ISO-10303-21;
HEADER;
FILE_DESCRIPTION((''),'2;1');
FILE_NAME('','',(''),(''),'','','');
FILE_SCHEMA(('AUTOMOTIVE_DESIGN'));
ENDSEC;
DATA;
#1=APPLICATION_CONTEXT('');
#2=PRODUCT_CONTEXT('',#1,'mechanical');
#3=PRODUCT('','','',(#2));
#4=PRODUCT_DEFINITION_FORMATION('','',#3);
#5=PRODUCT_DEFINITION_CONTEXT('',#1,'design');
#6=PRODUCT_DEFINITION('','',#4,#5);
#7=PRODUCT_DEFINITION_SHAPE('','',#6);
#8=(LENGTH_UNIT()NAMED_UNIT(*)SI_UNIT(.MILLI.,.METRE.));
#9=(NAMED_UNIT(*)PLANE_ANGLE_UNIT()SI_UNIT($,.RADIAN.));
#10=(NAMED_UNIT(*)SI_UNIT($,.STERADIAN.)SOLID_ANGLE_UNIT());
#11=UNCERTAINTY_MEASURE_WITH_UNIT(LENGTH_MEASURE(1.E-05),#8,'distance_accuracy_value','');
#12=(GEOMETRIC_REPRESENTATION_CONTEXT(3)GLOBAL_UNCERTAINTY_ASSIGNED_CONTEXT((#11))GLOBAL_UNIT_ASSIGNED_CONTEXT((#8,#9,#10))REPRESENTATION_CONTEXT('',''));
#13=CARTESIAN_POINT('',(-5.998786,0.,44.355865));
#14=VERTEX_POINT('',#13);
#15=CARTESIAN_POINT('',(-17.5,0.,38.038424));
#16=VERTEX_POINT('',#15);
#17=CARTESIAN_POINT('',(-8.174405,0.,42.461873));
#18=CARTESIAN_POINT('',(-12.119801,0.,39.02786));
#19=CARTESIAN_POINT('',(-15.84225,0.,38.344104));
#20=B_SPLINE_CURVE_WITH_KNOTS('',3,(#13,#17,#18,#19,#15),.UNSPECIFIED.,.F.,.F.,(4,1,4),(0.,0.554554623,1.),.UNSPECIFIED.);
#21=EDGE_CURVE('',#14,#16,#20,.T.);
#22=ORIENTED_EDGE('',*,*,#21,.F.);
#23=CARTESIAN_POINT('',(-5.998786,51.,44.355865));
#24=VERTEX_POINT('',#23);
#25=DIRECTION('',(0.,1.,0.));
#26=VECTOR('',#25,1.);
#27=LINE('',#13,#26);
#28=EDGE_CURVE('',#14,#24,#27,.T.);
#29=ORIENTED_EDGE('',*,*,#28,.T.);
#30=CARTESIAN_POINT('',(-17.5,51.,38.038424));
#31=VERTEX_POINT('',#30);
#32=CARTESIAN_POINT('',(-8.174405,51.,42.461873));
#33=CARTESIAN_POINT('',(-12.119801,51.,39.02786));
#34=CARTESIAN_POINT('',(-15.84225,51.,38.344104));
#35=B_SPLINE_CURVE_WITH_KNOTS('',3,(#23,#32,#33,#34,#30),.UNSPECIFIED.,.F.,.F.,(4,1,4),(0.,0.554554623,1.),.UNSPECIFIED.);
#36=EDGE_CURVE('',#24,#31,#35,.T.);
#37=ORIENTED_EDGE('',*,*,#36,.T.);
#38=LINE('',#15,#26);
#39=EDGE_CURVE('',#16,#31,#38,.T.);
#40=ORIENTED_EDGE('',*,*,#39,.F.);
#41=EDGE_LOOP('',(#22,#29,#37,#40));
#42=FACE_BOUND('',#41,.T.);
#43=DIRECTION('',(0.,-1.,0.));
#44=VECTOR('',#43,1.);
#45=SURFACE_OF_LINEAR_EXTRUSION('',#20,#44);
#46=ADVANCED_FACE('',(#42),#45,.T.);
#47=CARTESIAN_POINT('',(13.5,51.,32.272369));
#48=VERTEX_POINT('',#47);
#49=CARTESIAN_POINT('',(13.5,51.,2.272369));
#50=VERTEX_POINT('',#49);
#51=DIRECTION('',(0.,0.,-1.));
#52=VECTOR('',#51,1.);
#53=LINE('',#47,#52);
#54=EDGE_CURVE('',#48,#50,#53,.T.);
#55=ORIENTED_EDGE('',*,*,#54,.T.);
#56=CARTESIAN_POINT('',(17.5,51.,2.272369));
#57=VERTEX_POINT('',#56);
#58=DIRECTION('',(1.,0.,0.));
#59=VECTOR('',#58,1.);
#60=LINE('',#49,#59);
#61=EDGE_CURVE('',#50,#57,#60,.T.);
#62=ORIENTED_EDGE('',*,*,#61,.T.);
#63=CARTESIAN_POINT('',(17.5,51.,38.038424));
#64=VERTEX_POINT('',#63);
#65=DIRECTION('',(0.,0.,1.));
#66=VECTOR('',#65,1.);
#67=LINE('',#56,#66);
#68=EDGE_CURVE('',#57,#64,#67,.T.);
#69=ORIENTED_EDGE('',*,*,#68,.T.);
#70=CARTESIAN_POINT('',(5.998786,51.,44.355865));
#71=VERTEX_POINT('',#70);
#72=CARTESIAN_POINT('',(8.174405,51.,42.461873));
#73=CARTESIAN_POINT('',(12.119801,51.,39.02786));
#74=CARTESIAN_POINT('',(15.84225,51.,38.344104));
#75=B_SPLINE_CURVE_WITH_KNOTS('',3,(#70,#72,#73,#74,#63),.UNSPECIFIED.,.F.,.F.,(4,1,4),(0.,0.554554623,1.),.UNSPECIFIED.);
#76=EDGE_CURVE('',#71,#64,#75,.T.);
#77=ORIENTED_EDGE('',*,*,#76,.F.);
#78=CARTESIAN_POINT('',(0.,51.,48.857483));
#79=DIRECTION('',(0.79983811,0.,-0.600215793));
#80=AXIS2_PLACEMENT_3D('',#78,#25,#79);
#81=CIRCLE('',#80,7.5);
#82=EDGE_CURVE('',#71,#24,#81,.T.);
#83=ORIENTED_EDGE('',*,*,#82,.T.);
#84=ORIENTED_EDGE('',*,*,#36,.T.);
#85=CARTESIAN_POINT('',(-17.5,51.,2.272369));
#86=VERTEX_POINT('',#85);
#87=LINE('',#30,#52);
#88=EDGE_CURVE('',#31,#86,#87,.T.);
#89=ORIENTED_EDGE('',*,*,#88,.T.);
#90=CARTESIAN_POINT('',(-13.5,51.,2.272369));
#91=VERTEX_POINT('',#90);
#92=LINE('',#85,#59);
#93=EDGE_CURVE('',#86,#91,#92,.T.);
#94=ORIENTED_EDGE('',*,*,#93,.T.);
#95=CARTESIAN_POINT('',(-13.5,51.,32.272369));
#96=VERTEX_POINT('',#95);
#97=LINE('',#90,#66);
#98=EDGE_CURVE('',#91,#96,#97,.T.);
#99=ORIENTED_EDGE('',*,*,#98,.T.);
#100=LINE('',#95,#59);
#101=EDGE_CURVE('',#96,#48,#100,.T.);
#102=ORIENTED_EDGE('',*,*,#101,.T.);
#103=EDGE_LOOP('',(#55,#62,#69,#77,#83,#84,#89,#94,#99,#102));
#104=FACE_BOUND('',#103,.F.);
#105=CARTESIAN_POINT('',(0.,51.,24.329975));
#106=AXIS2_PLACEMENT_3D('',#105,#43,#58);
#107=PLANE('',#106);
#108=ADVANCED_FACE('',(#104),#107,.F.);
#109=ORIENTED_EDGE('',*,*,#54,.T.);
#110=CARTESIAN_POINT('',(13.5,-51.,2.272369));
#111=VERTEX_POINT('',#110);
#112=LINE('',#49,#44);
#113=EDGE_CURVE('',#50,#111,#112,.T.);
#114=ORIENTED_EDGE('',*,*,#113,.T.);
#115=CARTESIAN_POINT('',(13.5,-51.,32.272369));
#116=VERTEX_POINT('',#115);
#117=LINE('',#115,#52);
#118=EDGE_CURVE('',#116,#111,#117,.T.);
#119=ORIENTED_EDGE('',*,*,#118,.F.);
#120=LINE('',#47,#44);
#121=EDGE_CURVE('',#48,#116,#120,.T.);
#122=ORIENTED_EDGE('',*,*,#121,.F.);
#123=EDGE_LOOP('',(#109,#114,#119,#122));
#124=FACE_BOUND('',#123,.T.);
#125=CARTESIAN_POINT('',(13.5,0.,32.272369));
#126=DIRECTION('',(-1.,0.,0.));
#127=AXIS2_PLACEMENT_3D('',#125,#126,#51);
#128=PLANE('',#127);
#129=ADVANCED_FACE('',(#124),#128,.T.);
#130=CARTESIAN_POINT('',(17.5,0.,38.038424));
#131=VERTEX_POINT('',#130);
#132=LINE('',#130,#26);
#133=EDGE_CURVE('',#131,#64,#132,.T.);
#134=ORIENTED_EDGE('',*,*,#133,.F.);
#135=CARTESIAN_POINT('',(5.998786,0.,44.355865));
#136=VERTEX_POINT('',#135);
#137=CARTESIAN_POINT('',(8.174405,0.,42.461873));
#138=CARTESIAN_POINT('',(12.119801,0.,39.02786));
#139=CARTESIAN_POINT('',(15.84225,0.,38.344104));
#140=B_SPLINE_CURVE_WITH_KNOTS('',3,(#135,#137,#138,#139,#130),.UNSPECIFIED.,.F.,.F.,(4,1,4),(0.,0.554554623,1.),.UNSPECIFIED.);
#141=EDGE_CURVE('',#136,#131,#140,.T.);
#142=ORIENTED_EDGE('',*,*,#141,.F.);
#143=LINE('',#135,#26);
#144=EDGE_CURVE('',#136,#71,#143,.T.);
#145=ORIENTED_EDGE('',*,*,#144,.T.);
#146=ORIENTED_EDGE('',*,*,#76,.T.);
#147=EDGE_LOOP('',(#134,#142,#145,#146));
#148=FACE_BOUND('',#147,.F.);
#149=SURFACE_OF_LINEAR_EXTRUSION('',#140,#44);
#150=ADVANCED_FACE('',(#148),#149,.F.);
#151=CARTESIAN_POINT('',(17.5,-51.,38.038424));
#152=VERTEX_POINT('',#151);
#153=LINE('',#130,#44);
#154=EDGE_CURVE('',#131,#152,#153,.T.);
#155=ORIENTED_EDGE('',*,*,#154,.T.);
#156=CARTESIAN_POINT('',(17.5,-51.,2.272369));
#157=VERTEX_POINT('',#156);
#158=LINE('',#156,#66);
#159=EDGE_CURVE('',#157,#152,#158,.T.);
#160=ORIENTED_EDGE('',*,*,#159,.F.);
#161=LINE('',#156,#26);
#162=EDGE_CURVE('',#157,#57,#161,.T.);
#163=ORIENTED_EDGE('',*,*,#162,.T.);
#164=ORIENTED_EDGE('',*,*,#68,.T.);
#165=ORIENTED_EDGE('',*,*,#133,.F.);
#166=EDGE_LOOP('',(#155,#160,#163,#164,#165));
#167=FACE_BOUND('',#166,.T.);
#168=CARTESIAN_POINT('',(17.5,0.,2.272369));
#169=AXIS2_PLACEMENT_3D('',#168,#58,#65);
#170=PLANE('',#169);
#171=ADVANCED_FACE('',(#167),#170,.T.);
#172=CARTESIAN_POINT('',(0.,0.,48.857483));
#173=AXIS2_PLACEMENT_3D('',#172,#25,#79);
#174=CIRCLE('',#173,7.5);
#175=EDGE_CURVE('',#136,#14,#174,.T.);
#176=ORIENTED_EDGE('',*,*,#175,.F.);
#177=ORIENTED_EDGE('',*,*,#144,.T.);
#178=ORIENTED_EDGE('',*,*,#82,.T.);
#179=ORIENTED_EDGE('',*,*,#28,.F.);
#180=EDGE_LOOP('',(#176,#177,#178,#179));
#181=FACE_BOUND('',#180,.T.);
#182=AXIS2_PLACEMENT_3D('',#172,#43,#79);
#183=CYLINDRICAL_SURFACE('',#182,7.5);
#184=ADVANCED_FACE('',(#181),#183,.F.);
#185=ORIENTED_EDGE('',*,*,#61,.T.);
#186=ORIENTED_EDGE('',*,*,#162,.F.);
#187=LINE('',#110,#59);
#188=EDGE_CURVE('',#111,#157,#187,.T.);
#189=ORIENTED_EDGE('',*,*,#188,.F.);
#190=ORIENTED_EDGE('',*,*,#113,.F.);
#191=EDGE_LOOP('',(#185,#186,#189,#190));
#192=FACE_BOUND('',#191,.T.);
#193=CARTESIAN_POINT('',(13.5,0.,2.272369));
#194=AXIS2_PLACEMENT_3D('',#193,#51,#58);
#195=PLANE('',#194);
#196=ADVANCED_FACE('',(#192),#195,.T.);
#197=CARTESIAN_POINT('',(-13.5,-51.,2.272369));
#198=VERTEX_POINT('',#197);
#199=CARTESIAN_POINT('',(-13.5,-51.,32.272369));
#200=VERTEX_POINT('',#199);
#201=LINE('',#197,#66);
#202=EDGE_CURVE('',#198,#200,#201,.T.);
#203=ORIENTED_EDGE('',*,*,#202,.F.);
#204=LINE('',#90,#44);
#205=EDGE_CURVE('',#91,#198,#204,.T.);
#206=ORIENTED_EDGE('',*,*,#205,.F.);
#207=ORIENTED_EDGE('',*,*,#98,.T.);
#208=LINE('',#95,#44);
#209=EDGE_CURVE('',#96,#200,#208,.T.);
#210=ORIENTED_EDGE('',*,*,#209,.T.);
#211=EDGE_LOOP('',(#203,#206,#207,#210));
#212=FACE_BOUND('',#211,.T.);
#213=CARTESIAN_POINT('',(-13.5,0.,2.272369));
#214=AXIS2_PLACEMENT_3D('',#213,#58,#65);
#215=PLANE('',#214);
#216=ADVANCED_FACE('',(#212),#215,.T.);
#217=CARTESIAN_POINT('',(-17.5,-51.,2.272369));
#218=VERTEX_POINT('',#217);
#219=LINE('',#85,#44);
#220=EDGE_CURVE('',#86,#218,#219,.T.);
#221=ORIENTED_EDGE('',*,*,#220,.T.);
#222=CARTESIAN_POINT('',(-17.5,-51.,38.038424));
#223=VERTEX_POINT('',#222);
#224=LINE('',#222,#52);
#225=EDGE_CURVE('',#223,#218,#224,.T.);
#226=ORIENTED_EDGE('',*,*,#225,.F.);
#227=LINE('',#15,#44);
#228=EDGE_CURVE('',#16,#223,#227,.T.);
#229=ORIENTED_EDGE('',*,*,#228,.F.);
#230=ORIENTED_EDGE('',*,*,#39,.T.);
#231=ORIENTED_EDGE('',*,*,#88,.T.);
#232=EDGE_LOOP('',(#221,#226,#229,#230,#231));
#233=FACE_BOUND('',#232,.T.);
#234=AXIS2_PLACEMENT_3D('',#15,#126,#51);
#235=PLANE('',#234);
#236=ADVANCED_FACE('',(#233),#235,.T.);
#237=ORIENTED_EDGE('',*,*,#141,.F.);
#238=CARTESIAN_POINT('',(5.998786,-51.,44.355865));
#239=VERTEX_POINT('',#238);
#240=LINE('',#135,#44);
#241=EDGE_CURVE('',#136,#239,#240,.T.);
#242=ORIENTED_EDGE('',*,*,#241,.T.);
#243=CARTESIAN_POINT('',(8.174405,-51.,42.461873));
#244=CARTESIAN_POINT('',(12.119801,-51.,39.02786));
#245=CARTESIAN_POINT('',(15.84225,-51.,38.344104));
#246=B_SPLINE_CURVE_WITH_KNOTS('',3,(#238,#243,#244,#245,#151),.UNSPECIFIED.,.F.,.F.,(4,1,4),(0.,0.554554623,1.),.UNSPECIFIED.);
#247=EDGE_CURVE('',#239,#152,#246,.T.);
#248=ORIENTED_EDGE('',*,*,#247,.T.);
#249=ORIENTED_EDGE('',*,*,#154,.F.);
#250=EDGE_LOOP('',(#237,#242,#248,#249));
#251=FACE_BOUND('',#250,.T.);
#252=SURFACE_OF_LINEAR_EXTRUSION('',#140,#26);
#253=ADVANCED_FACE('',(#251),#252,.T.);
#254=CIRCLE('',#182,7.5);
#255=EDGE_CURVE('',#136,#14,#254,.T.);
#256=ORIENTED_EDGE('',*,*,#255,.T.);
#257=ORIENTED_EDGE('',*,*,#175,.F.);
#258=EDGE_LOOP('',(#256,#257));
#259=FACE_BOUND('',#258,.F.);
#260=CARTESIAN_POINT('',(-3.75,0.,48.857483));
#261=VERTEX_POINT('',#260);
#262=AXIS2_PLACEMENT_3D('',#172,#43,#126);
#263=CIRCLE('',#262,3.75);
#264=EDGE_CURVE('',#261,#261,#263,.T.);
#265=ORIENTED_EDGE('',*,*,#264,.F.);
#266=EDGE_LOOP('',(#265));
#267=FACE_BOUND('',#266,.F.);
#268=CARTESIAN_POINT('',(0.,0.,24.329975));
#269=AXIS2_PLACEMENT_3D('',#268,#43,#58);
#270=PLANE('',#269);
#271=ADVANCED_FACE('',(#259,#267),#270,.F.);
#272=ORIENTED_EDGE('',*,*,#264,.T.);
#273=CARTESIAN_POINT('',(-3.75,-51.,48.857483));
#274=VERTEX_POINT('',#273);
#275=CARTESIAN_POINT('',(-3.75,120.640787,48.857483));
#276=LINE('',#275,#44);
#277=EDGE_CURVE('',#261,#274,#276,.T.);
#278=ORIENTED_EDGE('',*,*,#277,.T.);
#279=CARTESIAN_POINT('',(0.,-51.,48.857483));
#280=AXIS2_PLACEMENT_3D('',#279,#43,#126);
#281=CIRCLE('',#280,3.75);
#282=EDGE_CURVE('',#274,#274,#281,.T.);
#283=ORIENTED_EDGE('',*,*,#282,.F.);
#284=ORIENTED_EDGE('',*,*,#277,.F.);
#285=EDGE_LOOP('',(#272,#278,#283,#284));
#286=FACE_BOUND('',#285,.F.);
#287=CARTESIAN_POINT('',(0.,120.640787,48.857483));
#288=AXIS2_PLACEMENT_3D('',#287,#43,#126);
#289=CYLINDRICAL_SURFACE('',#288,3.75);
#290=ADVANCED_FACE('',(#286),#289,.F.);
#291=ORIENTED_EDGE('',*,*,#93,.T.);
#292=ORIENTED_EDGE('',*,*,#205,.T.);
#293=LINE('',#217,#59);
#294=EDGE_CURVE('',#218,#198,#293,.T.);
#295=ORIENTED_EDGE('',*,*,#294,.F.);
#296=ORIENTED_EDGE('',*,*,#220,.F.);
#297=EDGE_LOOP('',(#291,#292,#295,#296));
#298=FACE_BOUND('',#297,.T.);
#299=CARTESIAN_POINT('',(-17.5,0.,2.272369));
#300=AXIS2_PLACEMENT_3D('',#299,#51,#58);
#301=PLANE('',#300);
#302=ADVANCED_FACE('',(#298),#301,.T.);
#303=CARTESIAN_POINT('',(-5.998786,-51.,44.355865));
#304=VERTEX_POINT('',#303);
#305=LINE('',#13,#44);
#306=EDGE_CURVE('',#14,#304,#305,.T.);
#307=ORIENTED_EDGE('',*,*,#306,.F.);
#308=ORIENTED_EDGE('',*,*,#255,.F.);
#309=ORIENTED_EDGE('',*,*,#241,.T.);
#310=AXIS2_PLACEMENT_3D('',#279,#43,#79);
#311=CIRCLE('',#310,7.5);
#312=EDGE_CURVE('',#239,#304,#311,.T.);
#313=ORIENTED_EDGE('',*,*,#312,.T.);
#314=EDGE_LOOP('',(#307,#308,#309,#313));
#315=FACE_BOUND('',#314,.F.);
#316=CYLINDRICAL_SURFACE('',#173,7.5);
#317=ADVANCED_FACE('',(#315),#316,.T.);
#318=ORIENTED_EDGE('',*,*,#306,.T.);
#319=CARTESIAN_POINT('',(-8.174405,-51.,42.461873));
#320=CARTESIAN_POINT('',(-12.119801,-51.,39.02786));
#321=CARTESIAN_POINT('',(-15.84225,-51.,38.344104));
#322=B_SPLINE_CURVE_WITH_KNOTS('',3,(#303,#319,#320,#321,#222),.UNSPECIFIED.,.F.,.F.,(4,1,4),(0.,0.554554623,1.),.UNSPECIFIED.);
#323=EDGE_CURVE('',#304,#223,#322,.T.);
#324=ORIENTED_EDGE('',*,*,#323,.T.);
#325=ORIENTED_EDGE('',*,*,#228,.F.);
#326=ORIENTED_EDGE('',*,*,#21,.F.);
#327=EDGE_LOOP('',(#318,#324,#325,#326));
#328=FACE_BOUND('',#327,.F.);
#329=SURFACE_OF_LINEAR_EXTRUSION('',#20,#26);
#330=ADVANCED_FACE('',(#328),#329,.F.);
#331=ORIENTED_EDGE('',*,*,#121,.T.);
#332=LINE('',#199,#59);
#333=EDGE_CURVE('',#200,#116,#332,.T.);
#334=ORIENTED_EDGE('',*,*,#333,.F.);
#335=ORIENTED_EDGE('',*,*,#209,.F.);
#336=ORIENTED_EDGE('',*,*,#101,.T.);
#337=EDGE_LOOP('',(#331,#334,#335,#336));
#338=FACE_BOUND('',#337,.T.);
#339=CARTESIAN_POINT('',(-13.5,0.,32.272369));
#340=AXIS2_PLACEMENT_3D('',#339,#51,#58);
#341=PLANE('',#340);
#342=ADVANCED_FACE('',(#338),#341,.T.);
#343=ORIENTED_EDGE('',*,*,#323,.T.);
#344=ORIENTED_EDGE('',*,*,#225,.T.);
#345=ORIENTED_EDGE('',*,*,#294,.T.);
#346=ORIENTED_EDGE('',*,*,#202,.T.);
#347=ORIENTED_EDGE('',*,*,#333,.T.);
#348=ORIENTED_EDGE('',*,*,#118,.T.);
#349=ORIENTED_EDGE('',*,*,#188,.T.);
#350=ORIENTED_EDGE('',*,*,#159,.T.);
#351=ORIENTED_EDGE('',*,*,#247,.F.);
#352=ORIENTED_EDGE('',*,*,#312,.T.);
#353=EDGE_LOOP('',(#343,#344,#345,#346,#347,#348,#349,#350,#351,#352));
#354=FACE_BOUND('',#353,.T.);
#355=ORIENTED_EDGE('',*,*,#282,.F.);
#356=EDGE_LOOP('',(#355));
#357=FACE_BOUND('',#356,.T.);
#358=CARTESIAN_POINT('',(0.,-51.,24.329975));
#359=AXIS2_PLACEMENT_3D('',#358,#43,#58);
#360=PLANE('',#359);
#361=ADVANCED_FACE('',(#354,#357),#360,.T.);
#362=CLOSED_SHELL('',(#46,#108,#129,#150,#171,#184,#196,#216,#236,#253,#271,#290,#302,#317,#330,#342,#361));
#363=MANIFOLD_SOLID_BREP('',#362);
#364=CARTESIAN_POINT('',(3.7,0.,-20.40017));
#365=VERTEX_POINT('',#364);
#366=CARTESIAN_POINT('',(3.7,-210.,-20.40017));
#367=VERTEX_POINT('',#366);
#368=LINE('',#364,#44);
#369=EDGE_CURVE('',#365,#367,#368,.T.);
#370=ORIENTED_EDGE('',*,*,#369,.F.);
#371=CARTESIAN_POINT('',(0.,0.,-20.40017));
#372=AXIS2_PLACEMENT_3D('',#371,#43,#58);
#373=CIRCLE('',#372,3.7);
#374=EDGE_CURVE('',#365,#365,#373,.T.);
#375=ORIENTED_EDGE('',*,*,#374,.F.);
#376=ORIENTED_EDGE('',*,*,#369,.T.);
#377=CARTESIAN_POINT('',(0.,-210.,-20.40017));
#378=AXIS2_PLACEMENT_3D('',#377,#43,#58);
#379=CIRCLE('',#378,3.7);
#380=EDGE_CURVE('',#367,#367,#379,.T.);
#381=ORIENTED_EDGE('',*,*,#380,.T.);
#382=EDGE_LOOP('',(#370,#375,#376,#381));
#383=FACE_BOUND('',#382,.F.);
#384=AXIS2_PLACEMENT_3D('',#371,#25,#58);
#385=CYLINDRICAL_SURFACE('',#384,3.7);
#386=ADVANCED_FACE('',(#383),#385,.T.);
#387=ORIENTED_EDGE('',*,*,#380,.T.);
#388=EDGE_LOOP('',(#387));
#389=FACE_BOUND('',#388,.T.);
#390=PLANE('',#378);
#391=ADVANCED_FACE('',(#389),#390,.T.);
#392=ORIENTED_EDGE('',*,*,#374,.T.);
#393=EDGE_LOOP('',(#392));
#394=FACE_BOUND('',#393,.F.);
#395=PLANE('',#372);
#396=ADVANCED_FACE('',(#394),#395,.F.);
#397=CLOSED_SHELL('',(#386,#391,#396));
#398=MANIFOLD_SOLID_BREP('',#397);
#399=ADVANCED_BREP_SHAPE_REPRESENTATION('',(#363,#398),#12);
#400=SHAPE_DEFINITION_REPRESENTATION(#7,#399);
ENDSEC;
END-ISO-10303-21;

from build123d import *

# Parameters (mm, degrees)
F1_DEPTH = 51
F2_DEPTH = 51
F3_DEPTH = 51
F4_D     = 7.5
F0_R     = 3.7
F5_DEPTH = 210


with BuildPart() as f1:
    # F0 (on Front) → F1 (new body)
    with BuildSketch(Plane.XZ):
        with BuildLine():
            ThreePointArc((5.9987858254, 44.3558645231), (0, 41.3574829677), (-5.9987858254, 44.3558645231))
            add(Edge.make_bspline(
                [(-5.9987858254, 44.3558645231), (-8.174405062, 42.4618731386), (-12.1198014992, 39.0278600841), (-15.8422500893, 38.3441035757), (-17.5, 38.0384236262)],
                knots=[0, 0, 0, 0, 0.5545546229, 1, 1, 1, 1], degree=3))
            Line((-17.5, 38.0384236262), (-17.5, 2.2723694175))
            Line((-17.5, 2.2723694175), (-13.5, 2.2723694175))
            Line((-13.5, 2.2723694175), (-13.5, 32.2723694175))
            Line((-13.5, 32.2723694175), (13.5, 32.2723694175))
            Line((13.5, 32.2723694175), (13.5, 2.2723694175))
            Line((13.5, 2.2723694175), (17.5, 2.2723694175))
            Line((17.5, 2.2723694175), (17.5, 38.0384236262))
            add(Edge.make_bspline(
                [(5.9987858254, 44.3558645231), (8.174405062, 42.4618731386), (12.1198014992, 39.0278600841), (15.8422500893, 38.3441035757), (17.5, 38.0384236262)],
                knots=[0, 0, 0, 0, 0.5545546229, 1, 1, 1, 1], degree=3))
        make_face()
        with BuildLine():
            ThreePointArc((5.9987858254, 44.3558645231), (7.1148047651, 46.4848150275), (7.5, 48.8574829677))
            ThreePointArc((7.5, 48.8574829677), (-2.3726679402, 55.9722877328), (-5.9987858254, 44.3558645231))
            ThreePointArc((-5.9987858254, 44.3558645231), (0, 41.3574829677), (5.9987858254, 44.3558645231))
        make_face()
    extrude(amount=F1_DEPTH)

    # F0 (on Front) → F2 (join)
    with BuildSketch(Plane.XZ):
        with BuildLine():
            ThreePointArc((5.9987858254, 44.3558645231), (0, 41.3574829677), (-5.9987858254, 44.3558645231))
            add(Edge.make_bspline(
                [(-5.9987858254, 44.3558645231), (-8.174405062, 42.4618731386), (-12.1198014992, 39.0278600841), (-15.8422500893, 38.3441035757), (-17.5, 38.0384236262)],
                knots=[0, 0, 0, 0, 0.5545546229, 1, 1, 1, 1], degree=3))
            Line((-17.5, 38.0384236262), (-17.5, 2.2723694175))
            Line((-17.5, 2.2723694175), (-13.5, 2.2723694175))
            Line((-13.5, 2.2723694175), (-13.5, 32.2723694175))
            Line((-13.5, 32.2723694175), (13.5, 32.2723694175))
            Line((13.5, 32.2723694175), (13.5, 2.2723694175))
            Line((13.5, 2.2723694175), (17.5, 2.2723694175))
            Line((17.5, 2.2723694175), (17.5, 38.0384236262))
            add(Edge.make_bspline(
                [(5.9987858254, 44.3558645231), (8.174405062, 42.4618731386), (12.1198014992, 39.0278600841), (15.8422500893, 38.3441035757), (17.5, 38.0384236262)],
                knots=[0, 0, 0, 0, 0.5545546229, 1, 1, 1, 1], degree=3))
        make_face()
    extrude(amount=F2_DEPTH)

    # F0 (on Front) → F3 (join)
    with BuildSketch(Plane.XZ):
        with BuildLine():
            ThreePointArc((5.9987858254, 44.3558645231), (0, 41.3574829677), (-5.9987858254, 44.3558645231))
            add(Edge.make_bspline(
                [(-5.9987858254, 44.3558645231), (-8.174405062, 42.4618731386), (-12.1198014992, 39.0278600841), (-15.8422500893, 38.3441035757), (-17.5, 38.0384236262)],
                knots=[0, 0, 0, 0, 0.5545546229, 1, 1, 1, 1], degree=3))
            Line((-17.5, 38.0384236262), (-17.5, 2.2723694175))
            Line((-17.5, 2.2723694175), (-13.5, 2.2723694175))
            Line((-13.5, 2.2723694175), (-13.5, 32.2723694175))
            Line((-13.5, 32.2723694175), (13.5, 32.2723694175))
            Line((13.5, 32.2723694175), (13.5, 2.2723694175))
            Line((13.5, 2.2723694175), (17.5, 2.2723694175))
            Line((17.5, 2.2723694175), (17.5, 38.0384236262))
            add(Edge.make_bspline(
                [(5.9987858254, 44.3558645231), (8.174405062, 42.4618731386), (12.1198014992, 39.0278600841), (15.8422500893, 38.3441035757), (17.5, 38.0384236262)],
                knots=[0, 0, 0, 0, 0.5545546229, 1, 1, 1, 1], degree=3))
        make_face()
    extrude(amount=-F3_DEPTH)

    # F4 (through all)
    with Locations(Plane(origin=(0, 0, 0), x_dir=(1, 0, 0), z_dir=(0, 1, 0))):
        with Locations((0, -48.8574829677)):
            Hole(F4_D / 2)


with BuildPart() as f5:
    # F0 (on Front) → F5 (new body)
    with BuildSketch(Plane.XZ):
        with Locations((0, -20.4001702368)):
            Circle(F0_R)
    extrude(amount=F5_DEPTH)


solid = Compound([f1.part, f5.part])
